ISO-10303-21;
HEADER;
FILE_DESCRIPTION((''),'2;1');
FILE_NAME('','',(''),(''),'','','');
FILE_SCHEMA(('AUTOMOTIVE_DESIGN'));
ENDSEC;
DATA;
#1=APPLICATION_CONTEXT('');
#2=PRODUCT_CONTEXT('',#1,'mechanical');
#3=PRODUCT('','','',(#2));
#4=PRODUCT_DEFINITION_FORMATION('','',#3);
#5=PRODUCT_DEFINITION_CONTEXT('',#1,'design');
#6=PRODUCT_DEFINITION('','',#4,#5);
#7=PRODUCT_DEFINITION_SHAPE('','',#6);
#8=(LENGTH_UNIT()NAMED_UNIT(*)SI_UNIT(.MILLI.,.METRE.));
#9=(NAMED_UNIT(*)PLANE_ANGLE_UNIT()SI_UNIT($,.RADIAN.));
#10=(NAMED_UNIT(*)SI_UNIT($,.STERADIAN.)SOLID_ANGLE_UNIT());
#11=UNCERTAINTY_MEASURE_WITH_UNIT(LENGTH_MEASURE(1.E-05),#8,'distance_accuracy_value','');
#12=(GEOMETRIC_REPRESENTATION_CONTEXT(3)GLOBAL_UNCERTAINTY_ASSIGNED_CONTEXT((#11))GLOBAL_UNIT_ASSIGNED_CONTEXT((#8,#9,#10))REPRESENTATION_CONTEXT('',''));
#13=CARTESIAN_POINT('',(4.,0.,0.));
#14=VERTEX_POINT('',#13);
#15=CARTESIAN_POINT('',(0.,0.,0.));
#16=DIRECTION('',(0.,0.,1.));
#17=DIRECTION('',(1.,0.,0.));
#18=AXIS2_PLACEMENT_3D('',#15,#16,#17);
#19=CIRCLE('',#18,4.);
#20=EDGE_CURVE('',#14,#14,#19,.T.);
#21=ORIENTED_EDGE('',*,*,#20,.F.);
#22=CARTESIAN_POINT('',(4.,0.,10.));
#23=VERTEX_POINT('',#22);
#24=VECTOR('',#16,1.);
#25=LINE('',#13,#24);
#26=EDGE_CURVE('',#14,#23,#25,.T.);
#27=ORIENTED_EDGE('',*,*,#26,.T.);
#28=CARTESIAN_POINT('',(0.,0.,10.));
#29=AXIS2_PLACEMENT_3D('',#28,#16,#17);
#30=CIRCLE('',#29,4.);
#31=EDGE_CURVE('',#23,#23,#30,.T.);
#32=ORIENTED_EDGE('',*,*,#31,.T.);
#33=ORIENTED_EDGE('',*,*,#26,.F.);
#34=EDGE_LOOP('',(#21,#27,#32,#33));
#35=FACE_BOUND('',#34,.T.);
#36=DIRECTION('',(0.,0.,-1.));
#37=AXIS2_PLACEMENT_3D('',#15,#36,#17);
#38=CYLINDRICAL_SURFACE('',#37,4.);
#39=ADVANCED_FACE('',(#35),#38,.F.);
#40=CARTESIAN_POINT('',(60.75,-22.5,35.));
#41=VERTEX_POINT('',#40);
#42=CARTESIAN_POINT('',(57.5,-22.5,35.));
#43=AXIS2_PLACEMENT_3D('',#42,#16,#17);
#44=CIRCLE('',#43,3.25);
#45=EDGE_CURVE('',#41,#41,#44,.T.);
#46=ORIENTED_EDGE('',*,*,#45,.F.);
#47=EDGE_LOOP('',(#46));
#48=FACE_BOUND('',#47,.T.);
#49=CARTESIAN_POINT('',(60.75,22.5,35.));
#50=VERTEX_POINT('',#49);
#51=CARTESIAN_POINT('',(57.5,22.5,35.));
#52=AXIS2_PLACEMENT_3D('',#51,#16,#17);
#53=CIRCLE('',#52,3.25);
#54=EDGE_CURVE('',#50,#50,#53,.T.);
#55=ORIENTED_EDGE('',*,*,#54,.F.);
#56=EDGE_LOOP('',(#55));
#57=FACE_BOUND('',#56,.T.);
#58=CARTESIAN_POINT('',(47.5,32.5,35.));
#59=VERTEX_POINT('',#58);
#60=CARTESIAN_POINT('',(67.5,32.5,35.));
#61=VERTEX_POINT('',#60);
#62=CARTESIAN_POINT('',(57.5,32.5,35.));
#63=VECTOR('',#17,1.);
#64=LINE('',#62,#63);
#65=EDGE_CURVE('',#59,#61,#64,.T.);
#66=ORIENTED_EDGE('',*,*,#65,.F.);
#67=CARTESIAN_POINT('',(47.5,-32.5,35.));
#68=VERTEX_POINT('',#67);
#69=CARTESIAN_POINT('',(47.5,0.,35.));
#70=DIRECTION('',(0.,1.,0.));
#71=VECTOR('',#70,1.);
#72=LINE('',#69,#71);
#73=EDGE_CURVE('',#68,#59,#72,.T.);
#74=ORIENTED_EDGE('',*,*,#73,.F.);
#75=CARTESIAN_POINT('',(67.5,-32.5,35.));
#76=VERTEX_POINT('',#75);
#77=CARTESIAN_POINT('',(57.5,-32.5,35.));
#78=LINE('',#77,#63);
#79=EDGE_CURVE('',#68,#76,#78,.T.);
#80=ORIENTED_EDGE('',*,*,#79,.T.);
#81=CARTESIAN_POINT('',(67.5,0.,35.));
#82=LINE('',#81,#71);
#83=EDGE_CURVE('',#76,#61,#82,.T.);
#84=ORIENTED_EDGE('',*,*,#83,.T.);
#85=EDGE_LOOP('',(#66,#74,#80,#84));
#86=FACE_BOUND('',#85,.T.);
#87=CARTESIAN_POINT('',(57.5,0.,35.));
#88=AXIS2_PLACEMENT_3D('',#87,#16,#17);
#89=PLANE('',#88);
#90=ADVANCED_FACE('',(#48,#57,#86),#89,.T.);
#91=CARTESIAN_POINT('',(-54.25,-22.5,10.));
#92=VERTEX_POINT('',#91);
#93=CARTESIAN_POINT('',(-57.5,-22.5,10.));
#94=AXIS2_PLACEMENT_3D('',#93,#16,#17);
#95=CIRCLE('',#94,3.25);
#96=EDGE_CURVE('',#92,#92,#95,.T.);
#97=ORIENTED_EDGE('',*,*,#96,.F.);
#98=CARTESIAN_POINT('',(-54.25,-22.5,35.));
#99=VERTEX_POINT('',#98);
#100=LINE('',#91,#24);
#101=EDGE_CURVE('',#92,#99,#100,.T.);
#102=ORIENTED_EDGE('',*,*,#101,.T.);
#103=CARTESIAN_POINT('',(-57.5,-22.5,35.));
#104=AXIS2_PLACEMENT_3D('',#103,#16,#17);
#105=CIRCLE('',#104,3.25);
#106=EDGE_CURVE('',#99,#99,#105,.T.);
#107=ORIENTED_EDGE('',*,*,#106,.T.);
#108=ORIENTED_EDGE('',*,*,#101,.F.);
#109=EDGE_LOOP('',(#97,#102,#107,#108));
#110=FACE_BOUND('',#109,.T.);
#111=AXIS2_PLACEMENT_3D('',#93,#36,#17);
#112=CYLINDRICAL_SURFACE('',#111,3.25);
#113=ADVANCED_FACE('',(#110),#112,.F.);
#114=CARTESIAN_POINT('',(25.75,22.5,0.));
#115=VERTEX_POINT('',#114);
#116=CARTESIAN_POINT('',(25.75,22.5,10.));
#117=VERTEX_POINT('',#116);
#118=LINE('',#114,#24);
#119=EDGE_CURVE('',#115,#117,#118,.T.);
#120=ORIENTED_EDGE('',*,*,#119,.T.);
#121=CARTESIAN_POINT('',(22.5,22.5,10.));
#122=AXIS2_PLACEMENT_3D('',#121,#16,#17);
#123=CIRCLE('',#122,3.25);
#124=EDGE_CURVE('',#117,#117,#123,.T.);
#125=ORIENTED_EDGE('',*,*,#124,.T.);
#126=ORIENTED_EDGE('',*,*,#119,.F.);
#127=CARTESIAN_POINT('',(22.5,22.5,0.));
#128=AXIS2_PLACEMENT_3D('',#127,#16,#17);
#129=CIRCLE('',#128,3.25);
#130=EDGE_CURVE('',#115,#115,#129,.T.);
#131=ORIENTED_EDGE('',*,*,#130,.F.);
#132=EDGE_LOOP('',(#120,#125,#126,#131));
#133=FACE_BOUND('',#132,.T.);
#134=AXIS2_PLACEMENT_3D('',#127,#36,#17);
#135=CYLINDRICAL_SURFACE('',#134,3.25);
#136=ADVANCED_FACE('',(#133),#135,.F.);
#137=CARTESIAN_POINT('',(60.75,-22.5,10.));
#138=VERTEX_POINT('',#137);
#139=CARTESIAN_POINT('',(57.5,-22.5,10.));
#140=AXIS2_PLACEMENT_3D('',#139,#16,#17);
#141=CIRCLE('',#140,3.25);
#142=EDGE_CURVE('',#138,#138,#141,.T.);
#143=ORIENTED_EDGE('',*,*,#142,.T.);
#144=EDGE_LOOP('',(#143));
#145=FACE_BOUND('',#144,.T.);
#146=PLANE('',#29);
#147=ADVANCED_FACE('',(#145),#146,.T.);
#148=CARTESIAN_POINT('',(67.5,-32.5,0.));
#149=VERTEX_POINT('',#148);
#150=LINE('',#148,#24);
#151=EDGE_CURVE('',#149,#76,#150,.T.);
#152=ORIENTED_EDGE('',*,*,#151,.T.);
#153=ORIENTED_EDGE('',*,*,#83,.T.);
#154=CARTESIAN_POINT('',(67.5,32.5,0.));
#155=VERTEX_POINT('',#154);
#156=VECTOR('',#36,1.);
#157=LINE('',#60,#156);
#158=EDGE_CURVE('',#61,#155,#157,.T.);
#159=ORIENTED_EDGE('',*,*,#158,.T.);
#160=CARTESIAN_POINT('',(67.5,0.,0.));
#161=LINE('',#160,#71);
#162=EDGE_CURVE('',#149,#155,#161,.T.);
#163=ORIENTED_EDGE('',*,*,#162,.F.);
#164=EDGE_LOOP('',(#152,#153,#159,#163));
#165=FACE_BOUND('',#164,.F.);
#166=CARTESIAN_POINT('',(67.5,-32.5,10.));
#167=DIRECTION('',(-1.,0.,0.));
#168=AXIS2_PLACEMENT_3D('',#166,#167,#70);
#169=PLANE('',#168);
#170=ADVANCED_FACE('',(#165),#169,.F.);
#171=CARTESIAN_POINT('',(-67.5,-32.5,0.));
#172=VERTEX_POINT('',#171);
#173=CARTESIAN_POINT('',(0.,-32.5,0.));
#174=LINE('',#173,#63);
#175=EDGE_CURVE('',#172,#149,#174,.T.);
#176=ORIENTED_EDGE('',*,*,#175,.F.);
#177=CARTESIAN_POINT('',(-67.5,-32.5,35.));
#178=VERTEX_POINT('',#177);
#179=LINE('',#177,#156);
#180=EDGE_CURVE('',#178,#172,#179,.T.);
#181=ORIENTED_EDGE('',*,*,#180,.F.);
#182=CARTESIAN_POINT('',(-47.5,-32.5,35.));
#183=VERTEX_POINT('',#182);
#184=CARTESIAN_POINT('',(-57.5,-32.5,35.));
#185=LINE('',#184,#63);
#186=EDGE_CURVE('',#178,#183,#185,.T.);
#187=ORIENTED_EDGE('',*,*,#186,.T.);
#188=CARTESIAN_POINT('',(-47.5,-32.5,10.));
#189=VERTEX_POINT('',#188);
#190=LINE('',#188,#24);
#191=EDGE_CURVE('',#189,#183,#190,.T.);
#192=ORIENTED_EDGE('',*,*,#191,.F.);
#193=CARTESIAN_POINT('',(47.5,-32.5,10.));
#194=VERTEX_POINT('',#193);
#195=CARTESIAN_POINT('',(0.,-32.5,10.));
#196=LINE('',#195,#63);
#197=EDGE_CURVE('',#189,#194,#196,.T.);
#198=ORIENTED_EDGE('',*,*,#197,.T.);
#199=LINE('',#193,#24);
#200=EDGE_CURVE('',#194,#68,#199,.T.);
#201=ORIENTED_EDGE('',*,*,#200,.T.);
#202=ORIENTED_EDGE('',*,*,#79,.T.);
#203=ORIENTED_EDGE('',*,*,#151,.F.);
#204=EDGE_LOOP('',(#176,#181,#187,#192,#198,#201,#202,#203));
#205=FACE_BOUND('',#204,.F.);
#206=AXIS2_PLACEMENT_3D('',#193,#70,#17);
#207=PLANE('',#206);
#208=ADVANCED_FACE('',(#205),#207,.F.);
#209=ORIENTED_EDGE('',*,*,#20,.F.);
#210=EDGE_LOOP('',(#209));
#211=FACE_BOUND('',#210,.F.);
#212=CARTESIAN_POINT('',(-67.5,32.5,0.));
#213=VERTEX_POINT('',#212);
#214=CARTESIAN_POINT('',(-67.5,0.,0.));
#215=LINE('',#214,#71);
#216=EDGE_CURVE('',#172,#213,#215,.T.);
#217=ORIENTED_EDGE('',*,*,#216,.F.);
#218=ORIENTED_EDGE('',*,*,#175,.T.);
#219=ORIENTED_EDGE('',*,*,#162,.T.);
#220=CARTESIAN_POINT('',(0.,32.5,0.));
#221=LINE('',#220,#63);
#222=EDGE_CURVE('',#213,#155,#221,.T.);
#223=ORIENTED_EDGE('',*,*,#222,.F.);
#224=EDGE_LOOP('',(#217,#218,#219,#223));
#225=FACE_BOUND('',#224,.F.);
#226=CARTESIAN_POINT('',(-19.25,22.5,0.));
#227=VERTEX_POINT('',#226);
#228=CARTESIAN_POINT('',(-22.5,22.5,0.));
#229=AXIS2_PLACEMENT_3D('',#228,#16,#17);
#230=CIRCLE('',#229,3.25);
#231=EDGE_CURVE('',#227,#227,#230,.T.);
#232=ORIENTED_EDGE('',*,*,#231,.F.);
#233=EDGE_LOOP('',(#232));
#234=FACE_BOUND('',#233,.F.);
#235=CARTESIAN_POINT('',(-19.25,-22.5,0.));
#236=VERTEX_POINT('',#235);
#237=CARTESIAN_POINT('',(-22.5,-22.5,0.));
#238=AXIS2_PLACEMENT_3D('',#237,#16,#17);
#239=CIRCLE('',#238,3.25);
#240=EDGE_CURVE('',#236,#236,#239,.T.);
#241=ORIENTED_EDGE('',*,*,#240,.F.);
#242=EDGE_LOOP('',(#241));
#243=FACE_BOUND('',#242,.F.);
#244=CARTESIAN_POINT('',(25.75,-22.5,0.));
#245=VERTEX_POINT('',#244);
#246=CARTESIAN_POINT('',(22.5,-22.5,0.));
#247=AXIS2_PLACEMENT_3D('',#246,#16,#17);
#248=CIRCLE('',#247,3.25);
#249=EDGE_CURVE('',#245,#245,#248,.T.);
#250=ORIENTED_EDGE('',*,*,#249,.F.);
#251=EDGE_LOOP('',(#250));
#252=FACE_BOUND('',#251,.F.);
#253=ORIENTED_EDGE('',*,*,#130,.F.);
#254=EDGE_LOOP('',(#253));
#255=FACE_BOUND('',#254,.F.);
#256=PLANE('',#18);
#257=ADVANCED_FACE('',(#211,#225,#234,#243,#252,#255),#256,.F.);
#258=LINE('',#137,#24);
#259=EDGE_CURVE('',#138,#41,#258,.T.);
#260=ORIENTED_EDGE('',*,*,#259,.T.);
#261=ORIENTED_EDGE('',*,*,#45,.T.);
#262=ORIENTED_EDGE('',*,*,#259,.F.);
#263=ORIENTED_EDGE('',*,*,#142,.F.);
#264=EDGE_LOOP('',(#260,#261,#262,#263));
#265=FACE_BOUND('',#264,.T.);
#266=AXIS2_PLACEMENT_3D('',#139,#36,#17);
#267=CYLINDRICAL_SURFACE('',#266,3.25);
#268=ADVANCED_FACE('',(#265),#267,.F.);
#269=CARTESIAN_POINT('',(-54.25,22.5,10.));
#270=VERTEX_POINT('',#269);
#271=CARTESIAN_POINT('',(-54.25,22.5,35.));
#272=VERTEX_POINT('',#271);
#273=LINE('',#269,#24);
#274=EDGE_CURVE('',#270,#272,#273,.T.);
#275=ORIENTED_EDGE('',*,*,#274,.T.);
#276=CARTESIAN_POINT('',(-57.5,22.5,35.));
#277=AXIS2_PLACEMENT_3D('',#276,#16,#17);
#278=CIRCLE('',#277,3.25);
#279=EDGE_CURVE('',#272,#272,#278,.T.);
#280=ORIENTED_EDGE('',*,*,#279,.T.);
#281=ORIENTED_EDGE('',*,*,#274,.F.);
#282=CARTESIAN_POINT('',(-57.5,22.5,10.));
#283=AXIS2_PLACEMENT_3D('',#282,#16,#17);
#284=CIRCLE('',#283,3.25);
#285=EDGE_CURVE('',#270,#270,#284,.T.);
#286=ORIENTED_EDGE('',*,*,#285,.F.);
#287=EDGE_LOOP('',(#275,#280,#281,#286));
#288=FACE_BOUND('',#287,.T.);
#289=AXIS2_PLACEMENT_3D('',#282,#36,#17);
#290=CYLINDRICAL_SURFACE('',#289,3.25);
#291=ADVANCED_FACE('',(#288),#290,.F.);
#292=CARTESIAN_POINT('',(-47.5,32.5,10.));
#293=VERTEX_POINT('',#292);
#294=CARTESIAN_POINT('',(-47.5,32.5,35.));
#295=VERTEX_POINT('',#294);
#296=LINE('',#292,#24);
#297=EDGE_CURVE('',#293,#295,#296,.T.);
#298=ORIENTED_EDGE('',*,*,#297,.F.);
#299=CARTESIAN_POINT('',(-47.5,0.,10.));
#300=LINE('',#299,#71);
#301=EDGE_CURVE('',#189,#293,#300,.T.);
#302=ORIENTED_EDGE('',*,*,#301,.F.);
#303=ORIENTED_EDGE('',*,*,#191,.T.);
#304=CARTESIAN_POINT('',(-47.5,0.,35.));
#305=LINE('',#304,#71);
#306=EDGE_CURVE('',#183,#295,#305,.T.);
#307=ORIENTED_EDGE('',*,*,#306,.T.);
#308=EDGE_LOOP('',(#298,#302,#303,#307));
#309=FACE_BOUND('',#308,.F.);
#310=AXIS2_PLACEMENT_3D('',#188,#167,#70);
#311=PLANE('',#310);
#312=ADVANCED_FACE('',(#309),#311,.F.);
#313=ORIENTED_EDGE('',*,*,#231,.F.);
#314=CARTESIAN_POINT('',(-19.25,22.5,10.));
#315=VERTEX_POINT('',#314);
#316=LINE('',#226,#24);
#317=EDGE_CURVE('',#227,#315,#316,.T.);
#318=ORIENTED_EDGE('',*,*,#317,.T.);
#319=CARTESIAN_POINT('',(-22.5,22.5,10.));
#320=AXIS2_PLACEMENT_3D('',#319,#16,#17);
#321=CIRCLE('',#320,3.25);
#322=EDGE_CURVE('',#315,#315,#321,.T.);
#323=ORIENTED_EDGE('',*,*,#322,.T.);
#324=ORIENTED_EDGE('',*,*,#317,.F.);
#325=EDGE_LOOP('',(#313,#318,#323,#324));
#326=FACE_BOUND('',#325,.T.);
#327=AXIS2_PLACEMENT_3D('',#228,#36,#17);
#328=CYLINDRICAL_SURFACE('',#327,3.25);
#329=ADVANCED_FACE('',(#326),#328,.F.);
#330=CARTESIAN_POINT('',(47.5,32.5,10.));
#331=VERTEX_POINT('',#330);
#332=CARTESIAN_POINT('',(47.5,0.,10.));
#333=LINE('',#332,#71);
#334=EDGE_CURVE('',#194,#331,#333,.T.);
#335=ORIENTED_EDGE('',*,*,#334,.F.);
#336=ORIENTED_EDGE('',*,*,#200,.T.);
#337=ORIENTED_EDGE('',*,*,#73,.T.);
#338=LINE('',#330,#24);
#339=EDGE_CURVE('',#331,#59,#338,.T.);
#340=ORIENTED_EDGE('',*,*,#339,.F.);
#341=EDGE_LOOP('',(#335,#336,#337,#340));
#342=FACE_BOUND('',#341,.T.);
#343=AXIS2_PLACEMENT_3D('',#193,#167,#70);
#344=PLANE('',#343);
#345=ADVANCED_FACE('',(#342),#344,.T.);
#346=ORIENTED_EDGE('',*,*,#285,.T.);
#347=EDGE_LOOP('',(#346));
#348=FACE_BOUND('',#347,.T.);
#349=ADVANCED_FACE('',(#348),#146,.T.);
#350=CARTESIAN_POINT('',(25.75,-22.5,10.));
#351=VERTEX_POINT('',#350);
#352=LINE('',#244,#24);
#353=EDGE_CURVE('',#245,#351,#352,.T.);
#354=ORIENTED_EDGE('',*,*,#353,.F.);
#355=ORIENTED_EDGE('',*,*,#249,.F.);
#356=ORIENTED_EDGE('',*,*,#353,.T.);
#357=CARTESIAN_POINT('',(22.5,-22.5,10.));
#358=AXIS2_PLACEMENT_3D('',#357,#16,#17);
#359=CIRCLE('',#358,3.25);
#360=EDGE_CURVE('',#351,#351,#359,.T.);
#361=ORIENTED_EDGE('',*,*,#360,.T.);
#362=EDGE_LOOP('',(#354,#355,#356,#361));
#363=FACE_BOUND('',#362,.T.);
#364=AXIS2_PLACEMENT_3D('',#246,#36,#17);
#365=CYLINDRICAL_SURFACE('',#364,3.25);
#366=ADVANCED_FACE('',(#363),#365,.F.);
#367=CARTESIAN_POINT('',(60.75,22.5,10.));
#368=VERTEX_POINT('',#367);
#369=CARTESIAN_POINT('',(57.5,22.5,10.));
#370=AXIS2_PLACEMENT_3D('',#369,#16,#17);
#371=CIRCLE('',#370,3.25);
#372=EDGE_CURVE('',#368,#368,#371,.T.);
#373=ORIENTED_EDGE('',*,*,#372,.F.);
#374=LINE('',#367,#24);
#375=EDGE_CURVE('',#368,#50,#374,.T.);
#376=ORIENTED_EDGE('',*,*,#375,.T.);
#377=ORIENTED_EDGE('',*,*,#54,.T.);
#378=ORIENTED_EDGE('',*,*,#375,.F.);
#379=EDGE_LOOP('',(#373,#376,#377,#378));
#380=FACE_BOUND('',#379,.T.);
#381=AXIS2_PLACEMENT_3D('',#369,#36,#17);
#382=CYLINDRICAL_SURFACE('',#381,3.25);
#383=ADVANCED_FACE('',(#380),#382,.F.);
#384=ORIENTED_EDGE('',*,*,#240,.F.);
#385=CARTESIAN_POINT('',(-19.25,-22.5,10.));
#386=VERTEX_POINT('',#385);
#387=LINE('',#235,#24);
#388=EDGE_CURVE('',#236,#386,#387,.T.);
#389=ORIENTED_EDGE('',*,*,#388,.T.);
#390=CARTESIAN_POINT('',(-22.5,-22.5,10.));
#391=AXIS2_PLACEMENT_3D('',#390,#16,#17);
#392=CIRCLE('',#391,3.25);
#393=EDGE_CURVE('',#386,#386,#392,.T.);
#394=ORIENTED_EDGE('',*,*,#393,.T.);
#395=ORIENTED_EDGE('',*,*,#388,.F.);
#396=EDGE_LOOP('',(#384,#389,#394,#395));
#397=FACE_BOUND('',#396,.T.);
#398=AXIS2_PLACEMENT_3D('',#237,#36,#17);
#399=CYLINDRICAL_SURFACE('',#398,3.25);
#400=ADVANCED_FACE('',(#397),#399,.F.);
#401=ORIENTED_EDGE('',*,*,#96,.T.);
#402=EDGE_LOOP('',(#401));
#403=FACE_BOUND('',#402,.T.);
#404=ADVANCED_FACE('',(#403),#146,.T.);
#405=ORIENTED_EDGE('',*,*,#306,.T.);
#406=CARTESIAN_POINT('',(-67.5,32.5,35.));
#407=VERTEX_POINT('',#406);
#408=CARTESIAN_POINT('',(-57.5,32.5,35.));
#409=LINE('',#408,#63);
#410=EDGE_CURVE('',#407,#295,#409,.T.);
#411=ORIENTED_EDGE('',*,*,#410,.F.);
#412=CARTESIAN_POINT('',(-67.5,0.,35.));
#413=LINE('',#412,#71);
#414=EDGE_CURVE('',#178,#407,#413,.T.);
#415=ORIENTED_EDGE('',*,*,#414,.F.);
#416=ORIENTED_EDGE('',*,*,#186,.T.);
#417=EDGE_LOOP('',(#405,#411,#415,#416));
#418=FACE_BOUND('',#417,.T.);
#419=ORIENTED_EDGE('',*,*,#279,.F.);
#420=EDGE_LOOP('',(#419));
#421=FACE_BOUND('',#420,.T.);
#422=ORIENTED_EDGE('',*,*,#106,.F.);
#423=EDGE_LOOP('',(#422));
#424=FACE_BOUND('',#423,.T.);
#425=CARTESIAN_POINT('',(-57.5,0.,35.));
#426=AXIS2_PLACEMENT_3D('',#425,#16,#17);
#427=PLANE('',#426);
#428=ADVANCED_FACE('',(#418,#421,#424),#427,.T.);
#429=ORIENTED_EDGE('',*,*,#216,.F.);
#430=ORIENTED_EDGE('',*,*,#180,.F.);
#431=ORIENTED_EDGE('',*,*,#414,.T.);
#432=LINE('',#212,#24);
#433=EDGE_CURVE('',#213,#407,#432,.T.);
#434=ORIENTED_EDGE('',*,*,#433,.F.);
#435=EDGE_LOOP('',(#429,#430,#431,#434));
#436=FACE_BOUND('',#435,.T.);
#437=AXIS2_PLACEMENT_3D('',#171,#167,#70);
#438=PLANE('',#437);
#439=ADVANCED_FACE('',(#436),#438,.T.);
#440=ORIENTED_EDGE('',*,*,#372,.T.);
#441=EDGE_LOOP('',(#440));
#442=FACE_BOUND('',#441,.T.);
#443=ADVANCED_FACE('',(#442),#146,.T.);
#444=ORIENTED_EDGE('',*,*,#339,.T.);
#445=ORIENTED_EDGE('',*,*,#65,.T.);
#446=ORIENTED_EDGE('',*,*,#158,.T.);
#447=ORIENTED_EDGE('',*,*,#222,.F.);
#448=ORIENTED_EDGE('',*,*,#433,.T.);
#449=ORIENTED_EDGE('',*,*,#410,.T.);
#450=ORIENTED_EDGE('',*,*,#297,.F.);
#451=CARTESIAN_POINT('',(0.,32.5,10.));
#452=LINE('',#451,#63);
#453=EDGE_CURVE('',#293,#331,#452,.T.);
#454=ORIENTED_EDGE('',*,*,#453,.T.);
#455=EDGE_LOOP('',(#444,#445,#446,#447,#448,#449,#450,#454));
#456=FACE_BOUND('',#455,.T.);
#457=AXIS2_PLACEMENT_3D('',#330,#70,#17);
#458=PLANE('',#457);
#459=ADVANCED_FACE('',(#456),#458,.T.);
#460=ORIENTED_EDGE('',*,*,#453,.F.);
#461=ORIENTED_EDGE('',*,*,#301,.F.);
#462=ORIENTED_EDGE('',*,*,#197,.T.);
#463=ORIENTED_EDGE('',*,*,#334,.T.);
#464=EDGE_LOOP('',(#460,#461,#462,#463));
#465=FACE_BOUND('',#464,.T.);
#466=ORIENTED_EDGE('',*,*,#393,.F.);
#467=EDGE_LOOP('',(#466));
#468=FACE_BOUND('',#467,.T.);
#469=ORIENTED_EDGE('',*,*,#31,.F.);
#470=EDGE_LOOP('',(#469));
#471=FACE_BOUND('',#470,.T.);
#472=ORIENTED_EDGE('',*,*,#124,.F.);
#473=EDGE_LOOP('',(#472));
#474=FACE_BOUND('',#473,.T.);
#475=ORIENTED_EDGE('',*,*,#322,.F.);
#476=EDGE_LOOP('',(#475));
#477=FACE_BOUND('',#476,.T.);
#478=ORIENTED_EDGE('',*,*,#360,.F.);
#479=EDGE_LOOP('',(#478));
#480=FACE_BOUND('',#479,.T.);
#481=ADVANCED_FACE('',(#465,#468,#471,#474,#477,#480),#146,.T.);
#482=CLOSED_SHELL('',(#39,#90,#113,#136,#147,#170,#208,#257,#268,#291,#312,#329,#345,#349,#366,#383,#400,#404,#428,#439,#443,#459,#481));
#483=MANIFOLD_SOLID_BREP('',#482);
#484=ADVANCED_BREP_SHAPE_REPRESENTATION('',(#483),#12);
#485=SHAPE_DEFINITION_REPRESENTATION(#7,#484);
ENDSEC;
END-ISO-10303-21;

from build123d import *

# Parameters (mm, degrees)
F0_W     = 135
F0_H     = 65
F0_R     = 3.25
F0_R_2   = 4
F1_DEPTH = 10
F2_W     = 20
F2_H     = 65
F2_R     = 3.25
F3_DEPTH = 25


with BuildPart() as f1:
    # F0 (on Top) → F1 (new body)
    with BuildSketch(Plane.XY):
        Rectangle(F0_W, F0_H)
        with Locations((-22.5, -22.5)):
            Circle(F0_R, mode=Mode.SUBTRACT)
        with Locations((22.5, -22.5)):
            Circle(F0_R, mode=Mode.SUBTRACT)
        with Locations((-22.5, 22.5)):
            Circle(F0_R, mode=Mode.SUBTRACT)
        Circle(F0_R_2, mode=Mode.SUBTRACT)
        with Locations((22.5, 22.5)):
            Circle(F0_R, mode=Mode.SUBTRACT)
    extrude(amount=F1_DEPTH)

    # F2 (on face) → F3 (join)
    with BuildSketch(Plane.XY.offset(10)):
        with Locations((57.5, 0)):
            Rectangle(F2_W, F2_H)
        with Locations((57.5, -22.5)):
            Circle(F2_R, mode=Mode.SUBTRACT)
        with Locations((57.5, 22.5)):
            Circle(F2_R, mode=Mode.SUBTRACT)
        with Locations((-57.5, 0)):
            Rectangle(F2_W, F2_H)
        with Locations((-57.5, -22.5)):
            Circle(F2_R, mode=Mode.SUBTRACT)
        with Locations((-57.5, 22.5)):
            Circle(F2_R, mode=Mode.SUBTRACT)
    extrude(amount=F3_DEPTH)


solid = f1.part
